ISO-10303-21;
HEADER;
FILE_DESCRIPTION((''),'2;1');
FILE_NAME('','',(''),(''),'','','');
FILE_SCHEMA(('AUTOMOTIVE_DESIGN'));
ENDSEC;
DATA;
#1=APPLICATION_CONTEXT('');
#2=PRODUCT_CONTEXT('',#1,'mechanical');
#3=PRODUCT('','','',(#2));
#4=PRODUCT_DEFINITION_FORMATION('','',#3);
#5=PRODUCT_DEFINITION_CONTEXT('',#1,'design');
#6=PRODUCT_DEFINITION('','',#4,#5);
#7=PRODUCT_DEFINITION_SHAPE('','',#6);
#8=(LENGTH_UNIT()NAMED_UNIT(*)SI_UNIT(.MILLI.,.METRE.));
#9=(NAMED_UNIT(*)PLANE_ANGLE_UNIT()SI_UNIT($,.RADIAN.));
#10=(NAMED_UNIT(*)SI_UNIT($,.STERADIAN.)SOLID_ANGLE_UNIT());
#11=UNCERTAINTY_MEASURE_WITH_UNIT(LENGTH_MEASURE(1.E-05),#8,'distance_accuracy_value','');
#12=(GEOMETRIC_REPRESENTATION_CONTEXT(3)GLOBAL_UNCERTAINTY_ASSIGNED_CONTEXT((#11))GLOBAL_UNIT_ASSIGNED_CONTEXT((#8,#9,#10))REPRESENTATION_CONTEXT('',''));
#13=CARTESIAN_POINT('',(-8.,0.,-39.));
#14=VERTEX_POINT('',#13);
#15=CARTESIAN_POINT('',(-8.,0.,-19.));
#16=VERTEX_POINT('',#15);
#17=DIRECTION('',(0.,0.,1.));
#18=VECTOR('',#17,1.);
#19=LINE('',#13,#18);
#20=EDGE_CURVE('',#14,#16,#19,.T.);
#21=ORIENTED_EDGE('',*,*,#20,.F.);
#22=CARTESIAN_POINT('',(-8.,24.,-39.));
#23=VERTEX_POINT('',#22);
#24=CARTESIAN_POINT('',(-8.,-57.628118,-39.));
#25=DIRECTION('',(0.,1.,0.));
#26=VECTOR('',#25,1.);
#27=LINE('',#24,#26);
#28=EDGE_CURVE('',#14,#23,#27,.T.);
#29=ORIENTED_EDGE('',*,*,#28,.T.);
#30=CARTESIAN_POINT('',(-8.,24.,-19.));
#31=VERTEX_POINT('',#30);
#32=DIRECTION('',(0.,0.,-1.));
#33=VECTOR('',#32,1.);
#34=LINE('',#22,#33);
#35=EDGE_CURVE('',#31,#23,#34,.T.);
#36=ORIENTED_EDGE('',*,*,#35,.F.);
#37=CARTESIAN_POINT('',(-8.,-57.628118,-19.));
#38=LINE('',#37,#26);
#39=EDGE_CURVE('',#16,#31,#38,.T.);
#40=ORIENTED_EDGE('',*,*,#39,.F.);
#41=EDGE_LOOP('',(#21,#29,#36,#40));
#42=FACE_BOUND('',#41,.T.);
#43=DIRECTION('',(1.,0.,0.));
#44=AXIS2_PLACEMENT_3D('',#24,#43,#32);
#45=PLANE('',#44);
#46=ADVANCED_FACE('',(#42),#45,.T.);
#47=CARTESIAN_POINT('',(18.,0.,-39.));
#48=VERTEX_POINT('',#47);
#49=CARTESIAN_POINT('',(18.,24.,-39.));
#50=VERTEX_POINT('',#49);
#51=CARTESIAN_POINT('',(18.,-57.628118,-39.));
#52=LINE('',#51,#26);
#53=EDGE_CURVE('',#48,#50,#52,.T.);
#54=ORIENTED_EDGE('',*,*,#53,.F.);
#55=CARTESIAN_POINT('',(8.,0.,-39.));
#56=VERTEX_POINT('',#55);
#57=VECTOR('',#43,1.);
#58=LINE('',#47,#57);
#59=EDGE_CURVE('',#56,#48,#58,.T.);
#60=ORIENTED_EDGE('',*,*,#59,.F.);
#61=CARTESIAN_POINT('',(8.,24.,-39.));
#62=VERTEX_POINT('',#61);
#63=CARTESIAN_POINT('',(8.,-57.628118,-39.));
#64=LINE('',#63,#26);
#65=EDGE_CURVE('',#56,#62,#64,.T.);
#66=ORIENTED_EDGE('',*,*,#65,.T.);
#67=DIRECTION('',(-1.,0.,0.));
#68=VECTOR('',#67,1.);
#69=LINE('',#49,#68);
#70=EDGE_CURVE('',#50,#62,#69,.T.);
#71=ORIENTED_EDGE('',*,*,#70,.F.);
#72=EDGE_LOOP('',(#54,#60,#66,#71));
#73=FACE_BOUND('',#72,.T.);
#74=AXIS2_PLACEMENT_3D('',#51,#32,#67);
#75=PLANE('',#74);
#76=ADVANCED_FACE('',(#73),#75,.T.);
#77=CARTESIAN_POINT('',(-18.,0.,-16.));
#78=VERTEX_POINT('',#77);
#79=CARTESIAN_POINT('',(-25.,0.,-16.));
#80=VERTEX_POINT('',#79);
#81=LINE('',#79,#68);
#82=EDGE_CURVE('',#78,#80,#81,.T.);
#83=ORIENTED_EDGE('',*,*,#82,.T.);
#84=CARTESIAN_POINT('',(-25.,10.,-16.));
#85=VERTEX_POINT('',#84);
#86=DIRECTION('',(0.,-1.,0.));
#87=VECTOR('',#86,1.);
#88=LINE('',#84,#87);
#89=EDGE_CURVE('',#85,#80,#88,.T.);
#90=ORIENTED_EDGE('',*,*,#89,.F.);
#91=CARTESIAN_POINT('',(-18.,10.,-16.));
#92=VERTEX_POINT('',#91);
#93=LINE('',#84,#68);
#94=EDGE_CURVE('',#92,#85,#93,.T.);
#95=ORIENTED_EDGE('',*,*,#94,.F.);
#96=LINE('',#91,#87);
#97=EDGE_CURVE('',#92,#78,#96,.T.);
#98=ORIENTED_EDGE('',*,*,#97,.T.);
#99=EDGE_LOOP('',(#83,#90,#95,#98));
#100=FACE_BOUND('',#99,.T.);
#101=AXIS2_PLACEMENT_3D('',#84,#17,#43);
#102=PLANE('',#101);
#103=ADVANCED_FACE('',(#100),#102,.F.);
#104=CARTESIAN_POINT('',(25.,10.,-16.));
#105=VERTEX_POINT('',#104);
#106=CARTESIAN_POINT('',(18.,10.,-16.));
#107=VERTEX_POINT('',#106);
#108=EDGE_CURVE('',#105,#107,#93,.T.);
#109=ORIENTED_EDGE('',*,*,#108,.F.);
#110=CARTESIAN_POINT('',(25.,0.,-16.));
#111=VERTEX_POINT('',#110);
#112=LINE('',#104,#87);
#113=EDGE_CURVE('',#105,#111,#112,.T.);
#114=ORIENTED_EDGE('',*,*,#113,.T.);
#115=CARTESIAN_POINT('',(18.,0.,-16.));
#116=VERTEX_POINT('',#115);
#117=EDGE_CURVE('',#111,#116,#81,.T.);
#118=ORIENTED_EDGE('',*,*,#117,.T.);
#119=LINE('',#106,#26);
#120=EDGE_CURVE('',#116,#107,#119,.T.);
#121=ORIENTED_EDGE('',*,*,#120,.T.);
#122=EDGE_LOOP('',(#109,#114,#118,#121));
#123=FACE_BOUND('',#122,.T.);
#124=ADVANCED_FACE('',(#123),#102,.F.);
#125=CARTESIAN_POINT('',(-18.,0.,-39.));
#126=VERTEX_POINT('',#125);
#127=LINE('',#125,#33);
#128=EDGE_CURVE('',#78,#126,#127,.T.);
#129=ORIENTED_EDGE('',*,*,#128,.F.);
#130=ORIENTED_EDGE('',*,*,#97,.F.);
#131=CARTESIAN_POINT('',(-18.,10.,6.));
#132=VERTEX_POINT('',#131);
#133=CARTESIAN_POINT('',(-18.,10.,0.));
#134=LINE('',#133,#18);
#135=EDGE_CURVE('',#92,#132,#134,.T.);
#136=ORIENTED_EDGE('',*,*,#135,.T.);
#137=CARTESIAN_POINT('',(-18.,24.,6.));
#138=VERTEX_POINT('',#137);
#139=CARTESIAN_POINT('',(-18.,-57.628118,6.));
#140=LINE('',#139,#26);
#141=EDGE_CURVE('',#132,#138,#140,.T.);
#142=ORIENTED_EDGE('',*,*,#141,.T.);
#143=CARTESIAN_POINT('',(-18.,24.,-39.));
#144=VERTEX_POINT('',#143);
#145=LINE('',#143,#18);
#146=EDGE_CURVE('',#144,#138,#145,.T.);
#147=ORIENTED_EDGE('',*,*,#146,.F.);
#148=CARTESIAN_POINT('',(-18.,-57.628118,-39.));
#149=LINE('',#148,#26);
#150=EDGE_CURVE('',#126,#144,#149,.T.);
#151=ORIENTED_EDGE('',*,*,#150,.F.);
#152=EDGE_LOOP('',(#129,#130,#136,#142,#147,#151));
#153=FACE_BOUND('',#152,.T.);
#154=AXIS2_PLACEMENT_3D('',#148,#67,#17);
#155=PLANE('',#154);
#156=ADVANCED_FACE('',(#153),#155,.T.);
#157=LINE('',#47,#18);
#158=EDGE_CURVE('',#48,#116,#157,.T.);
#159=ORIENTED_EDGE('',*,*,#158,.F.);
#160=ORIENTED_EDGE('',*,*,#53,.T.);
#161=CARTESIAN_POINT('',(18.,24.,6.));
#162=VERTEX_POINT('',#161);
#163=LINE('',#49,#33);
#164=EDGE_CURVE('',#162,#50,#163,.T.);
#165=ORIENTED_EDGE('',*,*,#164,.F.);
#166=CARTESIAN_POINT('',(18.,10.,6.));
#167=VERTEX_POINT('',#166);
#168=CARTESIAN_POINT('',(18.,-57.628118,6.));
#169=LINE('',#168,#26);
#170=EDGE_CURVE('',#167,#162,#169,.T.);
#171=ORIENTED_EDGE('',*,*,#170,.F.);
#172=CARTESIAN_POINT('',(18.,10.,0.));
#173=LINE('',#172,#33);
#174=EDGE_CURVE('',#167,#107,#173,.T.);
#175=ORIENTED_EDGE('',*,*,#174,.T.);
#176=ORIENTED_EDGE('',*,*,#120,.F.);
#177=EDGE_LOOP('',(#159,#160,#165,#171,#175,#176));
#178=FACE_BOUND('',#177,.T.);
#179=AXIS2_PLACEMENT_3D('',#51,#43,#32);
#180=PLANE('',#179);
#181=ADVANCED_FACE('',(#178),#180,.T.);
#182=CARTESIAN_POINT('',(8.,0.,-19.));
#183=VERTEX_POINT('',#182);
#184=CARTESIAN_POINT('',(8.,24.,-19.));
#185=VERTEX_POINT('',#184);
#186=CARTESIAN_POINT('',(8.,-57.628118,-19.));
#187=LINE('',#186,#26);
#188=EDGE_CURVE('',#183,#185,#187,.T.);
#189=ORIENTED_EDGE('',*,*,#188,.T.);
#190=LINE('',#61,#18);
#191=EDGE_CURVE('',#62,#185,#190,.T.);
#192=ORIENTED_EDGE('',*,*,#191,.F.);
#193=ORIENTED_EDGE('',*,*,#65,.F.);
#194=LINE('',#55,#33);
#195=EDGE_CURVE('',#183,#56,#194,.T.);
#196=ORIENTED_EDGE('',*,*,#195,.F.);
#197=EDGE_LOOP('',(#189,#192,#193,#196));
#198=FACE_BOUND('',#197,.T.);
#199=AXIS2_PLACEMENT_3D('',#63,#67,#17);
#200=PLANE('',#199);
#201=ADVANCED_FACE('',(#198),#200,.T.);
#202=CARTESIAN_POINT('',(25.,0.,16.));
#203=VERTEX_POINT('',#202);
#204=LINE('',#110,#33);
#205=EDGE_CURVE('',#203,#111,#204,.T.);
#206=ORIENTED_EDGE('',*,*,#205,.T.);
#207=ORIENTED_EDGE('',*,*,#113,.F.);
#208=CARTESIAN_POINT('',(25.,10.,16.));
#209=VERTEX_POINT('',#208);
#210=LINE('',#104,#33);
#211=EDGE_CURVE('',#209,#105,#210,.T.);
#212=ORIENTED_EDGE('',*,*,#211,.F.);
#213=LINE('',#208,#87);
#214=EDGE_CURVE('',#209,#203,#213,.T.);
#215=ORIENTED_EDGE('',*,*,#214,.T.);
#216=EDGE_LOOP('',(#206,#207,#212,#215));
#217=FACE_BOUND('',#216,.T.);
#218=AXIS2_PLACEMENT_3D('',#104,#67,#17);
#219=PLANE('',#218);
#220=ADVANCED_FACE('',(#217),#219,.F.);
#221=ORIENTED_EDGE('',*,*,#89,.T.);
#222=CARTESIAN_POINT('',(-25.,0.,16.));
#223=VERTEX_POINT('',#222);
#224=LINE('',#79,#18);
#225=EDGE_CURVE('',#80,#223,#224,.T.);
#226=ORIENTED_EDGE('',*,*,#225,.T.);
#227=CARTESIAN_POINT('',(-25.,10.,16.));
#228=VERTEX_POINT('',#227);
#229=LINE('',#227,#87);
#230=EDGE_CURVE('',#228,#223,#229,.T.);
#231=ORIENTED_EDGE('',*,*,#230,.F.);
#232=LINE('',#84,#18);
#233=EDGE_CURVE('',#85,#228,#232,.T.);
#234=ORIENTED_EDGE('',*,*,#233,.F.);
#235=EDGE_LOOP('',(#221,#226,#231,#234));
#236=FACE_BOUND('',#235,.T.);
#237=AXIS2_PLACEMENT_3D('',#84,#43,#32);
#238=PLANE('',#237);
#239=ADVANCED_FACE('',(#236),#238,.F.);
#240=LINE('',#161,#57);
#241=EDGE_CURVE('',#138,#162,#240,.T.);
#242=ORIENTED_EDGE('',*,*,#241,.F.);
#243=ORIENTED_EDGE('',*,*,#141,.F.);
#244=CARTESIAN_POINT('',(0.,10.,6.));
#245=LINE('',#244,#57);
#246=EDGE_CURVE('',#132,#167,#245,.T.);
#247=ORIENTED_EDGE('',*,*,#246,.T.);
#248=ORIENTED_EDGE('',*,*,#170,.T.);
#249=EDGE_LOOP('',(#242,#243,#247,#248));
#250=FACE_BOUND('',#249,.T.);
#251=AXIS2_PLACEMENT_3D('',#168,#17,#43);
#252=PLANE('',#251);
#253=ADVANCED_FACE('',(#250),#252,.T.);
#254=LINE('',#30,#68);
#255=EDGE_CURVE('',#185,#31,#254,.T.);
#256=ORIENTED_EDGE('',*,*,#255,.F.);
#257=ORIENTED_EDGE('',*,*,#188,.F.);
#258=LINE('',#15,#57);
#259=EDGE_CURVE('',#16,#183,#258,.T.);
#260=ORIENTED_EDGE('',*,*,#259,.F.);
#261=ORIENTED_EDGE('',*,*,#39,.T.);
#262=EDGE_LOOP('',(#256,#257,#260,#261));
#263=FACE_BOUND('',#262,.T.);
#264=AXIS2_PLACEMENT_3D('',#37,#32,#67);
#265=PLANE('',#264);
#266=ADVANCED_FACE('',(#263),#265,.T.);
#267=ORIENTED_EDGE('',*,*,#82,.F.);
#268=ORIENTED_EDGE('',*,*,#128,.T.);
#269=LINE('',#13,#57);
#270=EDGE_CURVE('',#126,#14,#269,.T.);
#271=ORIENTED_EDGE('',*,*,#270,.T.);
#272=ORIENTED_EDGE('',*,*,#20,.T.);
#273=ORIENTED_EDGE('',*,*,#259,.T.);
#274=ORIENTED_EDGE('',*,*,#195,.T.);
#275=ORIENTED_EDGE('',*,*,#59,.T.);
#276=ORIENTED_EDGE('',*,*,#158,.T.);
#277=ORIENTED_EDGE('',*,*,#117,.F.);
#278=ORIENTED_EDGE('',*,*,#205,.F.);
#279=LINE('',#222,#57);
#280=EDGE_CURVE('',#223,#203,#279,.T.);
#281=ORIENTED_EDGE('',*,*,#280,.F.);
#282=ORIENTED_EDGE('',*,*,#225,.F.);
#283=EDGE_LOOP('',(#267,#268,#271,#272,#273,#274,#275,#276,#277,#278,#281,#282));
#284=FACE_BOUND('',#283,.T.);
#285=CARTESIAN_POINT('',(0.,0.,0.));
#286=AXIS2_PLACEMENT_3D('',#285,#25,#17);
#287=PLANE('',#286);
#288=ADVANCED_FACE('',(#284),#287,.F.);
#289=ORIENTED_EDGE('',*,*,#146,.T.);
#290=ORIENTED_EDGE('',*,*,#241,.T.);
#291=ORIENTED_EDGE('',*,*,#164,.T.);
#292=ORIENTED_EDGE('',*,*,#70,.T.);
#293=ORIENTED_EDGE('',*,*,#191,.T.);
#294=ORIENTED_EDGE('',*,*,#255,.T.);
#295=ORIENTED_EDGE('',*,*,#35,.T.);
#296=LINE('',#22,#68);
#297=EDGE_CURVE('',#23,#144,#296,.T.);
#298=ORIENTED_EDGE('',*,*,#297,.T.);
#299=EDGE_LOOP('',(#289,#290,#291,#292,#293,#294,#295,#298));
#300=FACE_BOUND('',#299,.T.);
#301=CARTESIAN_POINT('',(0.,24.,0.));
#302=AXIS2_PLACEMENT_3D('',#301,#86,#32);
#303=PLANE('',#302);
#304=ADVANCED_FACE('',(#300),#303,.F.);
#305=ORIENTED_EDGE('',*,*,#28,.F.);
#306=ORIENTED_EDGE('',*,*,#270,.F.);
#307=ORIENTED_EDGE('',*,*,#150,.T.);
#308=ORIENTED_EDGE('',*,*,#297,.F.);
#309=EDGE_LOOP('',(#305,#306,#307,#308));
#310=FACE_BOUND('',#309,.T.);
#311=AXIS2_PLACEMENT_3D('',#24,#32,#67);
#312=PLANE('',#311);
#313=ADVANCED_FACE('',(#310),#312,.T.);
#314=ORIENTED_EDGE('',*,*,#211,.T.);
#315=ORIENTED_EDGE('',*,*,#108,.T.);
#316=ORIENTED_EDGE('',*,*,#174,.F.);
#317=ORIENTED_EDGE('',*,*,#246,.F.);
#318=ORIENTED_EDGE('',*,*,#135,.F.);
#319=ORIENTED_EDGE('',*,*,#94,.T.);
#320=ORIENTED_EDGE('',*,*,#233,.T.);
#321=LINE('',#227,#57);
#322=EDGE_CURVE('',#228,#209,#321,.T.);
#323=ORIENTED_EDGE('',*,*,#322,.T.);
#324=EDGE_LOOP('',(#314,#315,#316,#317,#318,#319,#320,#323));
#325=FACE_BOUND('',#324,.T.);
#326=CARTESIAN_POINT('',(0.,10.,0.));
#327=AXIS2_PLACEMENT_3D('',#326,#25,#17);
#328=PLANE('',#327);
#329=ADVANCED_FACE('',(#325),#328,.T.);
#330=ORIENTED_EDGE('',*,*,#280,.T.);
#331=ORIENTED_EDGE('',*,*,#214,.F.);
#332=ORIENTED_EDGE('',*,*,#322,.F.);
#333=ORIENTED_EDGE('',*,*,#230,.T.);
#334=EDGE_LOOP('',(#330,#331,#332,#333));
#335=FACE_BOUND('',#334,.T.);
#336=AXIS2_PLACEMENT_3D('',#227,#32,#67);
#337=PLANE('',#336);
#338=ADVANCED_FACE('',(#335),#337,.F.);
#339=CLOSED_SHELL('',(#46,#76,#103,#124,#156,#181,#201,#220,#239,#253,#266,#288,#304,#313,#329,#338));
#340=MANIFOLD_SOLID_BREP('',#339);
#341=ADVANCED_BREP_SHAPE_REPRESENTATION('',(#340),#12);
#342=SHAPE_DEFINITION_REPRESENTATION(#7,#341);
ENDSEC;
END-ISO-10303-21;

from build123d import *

# Parameters (mm, degrees)
CROQUIS1_W                          = 50
CROQUIS1_H                          = 32
SALIENTE_EXTRUIR1_DEPTH             = 10
SALIENTE_EXTRUIR4_DEPTH             = 14
SALIENTE_EXTRUIR4_DIRECTION_2_REACH = 33.321


with BuildPart() as part:
    # Croquis1 → Saliente-Extruir1 (new body)
    with BuildSketch(Plane(origin=(0, 0, 0), x_dir=(1, 0, 0), z_dir=(0, 1, 0))):
        Rectangle(CROQUIS1_W, CROQUIS1_H)
    extrude(amount=SALIENTE_EXTRUIR1_DEPTH)

    # Croquis2 → Saliente-Extruir4 (add)
    with BuildSketch(Plane(origin=(0, 10, 0), x_dir=(1, 0, 0), z_dir=(0, 1, 0))):
        Polygon((-8, 39), (-18, 39), (-18, -6), (18, -6), (18, 39), (8, 39), (8, 19), (-8, 19), align=None)
    extrude(amount=SALIENTE_EXTRUIR4_DEPTH)

    # Saliente-Extruir4 direction 2: up to this face of the body (flat: up to its plane)
    saliente_extruir4_direction_2_end = Plane(part.part.faces().sort_by_distance((0, 0, 0))[0])
    # Croquis2 → Saliente-Extruir4 direction 2 (add, up to the picked face)
    with BuildSketch(Plane(origin=(0, 10, 0), x_dir=(1, 0, 0), z_dir=(0, 1, 0)), mode=Mode.PRIVATE) as saliente_extruir4_direction_2_sk1:
        Polygon((-8, 39), (-18, 39), (-18, -6), (18, -6), (18, 39), (8, 39), (8, 19), (-8, 19), align=None)
    saliente_extruir4_direction_2_tool1 = split(extrude(saliente_extruir4_direction_2_sk1.sketch, amount=-SALIENTE_EXTRUIR4_DIRECTION_2_REACH, mode=Mode.PRIVATE), bisect_by=saliente_extruir4_direction_2_end, keep=Keep.BOTH, mode=Mode.PRIVATE)
    add(saliente_extruir4_direction_2_tool1.solids().sort_by(Axis((0, 10, -13.423077), (0, -1, 0)))[0])


solid = part.part
